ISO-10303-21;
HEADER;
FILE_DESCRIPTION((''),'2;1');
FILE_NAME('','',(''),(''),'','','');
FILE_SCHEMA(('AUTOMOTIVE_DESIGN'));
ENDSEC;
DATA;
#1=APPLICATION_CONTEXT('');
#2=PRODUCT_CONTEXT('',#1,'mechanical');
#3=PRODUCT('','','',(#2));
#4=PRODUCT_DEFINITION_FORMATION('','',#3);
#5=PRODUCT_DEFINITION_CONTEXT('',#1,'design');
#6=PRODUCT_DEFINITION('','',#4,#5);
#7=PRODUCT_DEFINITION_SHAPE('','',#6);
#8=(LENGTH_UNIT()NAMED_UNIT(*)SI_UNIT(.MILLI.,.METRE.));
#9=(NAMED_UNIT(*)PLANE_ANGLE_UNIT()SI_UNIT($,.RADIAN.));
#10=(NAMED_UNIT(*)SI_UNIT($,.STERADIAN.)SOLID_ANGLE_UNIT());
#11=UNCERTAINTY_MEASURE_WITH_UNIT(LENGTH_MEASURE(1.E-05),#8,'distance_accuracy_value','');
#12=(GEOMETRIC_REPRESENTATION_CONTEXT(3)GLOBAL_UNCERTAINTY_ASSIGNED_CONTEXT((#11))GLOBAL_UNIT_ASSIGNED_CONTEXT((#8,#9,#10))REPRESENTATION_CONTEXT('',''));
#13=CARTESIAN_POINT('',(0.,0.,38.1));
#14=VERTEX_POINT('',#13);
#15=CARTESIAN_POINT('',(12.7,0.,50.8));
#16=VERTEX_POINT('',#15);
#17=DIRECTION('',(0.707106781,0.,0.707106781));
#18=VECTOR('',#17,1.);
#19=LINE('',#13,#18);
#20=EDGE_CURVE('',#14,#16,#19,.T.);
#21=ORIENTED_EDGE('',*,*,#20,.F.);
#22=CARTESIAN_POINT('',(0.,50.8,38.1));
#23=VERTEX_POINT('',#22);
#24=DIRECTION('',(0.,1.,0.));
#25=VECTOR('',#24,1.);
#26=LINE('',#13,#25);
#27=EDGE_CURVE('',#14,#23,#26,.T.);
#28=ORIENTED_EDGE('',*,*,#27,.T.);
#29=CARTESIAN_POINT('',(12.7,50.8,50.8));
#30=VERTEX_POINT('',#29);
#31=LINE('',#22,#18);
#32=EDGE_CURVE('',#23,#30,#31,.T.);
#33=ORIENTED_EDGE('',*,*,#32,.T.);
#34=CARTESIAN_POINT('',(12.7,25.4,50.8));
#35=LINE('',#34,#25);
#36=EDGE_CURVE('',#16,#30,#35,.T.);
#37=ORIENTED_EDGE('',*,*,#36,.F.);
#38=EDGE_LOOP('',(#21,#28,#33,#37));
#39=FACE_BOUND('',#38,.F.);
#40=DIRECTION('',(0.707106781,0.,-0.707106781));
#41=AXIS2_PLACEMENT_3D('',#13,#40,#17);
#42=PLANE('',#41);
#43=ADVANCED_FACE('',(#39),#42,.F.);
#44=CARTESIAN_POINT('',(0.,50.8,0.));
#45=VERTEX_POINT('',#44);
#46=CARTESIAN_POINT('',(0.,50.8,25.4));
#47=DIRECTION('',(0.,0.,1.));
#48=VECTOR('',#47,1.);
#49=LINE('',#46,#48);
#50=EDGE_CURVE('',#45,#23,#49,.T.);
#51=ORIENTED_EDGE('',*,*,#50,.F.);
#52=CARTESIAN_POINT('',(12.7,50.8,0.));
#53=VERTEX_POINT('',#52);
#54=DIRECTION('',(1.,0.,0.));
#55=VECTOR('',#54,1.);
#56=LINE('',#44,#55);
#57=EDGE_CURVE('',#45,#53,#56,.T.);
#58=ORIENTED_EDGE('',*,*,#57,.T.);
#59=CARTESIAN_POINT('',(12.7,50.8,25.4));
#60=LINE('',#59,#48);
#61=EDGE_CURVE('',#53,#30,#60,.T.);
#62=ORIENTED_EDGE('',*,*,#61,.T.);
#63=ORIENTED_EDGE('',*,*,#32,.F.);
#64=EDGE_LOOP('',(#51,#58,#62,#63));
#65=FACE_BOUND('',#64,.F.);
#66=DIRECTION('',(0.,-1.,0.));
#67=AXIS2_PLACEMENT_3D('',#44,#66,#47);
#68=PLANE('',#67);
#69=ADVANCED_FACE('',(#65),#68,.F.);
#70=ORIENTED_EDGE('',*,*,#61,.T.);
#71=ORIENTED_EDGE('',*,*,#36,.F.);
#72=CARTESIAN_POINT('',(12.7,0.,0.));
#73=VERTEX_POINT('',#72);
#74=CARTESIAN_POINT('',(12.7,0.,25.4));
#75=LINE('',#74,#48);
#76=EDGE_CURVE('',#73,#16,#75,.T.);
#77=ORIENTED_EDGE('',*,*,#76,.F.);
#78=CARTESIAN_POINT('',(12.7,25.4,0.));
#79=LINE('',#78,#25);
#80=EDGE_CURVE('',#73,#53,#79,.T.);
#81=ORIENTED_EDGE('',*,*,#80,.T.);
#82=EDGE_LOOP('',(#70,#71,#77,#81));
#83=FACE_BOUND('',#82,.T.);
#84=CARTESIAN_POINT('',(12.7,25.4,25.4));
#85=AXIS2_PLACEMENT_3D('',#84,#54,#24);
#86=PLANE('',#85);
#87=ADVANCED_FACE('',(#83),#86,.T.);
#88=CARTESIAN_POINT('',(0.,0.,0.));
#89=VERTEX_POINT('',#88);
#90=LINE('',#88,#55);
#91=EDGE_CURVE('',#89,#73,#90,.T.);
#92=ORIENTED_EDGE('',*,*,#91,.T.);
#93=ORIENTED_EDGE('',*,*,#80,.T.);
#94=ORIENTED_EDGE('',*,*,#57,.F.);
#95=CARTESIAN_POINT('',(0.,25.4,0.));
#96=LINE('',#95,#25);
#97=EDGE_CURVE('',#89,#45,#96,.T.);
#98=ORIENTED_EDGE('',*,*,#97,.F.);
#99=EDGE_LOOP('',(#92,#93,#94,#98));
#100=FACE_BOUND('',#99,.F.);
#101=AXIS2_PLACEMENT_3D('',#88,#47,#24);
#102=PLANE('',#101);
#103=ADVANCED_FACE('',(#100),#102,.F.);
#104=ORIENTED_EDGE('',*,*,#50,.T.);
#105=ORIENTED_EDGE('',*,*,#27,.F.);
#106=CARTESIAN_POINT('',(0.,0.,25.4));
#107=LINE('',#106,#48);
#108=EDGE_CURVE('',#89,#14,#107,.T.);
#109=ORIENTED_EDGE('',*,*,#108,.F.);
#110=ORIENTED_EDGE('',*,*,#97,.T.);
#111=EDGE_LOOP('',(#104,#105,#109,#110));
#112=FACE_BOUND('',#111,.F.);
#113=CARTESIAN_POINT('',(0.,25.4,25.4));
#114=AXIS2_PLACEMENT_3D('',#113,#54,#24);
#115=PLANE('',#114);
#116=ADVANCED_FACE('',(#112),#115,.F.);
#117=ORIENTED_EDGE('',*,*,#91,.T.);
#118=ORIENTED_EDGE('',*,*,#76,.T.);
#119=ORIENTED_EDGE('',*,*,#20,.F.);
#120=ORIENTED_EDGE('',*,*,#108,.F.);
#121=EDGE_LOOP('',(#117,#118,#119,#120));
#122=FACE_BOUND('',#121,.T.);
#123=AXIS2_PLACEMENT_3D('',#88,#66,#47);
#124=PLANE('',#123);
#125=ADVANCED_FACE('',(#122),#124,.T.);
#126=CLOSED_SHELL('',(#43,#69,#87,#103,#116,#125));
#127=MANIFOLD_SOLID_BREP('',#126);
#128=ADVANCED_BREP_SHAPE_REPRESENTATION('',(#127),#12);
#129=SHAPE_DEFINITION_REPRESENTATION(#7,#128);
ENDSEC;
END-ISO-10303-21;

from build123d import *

# Parameters (mm, degrees)
F0_W     = 50.8
F0_H     = 50.8
F1_DEPTH = 12.7
F3_DEPTH = 50.8


with BuildPart() as f1:
    # F0 (on Right) → F1 (new body)
    with BuildSketch(Plane.YZ):
        with Locations((25.4, 25.4)):
            Rectangle(F0_W, F0_H)
    extrude(amount=F1_DEPTH)

    # F2 (on face) → F3 (cut)
    with BuildSketch(Plane.XZ):
        Polygon((0, 50.8), (0, 38.1), (12.7, 50.8), align=None)
    extrude(amount=-F3_DEPTH, mode=Mode.SUBTRACT)


solid = f1.part
